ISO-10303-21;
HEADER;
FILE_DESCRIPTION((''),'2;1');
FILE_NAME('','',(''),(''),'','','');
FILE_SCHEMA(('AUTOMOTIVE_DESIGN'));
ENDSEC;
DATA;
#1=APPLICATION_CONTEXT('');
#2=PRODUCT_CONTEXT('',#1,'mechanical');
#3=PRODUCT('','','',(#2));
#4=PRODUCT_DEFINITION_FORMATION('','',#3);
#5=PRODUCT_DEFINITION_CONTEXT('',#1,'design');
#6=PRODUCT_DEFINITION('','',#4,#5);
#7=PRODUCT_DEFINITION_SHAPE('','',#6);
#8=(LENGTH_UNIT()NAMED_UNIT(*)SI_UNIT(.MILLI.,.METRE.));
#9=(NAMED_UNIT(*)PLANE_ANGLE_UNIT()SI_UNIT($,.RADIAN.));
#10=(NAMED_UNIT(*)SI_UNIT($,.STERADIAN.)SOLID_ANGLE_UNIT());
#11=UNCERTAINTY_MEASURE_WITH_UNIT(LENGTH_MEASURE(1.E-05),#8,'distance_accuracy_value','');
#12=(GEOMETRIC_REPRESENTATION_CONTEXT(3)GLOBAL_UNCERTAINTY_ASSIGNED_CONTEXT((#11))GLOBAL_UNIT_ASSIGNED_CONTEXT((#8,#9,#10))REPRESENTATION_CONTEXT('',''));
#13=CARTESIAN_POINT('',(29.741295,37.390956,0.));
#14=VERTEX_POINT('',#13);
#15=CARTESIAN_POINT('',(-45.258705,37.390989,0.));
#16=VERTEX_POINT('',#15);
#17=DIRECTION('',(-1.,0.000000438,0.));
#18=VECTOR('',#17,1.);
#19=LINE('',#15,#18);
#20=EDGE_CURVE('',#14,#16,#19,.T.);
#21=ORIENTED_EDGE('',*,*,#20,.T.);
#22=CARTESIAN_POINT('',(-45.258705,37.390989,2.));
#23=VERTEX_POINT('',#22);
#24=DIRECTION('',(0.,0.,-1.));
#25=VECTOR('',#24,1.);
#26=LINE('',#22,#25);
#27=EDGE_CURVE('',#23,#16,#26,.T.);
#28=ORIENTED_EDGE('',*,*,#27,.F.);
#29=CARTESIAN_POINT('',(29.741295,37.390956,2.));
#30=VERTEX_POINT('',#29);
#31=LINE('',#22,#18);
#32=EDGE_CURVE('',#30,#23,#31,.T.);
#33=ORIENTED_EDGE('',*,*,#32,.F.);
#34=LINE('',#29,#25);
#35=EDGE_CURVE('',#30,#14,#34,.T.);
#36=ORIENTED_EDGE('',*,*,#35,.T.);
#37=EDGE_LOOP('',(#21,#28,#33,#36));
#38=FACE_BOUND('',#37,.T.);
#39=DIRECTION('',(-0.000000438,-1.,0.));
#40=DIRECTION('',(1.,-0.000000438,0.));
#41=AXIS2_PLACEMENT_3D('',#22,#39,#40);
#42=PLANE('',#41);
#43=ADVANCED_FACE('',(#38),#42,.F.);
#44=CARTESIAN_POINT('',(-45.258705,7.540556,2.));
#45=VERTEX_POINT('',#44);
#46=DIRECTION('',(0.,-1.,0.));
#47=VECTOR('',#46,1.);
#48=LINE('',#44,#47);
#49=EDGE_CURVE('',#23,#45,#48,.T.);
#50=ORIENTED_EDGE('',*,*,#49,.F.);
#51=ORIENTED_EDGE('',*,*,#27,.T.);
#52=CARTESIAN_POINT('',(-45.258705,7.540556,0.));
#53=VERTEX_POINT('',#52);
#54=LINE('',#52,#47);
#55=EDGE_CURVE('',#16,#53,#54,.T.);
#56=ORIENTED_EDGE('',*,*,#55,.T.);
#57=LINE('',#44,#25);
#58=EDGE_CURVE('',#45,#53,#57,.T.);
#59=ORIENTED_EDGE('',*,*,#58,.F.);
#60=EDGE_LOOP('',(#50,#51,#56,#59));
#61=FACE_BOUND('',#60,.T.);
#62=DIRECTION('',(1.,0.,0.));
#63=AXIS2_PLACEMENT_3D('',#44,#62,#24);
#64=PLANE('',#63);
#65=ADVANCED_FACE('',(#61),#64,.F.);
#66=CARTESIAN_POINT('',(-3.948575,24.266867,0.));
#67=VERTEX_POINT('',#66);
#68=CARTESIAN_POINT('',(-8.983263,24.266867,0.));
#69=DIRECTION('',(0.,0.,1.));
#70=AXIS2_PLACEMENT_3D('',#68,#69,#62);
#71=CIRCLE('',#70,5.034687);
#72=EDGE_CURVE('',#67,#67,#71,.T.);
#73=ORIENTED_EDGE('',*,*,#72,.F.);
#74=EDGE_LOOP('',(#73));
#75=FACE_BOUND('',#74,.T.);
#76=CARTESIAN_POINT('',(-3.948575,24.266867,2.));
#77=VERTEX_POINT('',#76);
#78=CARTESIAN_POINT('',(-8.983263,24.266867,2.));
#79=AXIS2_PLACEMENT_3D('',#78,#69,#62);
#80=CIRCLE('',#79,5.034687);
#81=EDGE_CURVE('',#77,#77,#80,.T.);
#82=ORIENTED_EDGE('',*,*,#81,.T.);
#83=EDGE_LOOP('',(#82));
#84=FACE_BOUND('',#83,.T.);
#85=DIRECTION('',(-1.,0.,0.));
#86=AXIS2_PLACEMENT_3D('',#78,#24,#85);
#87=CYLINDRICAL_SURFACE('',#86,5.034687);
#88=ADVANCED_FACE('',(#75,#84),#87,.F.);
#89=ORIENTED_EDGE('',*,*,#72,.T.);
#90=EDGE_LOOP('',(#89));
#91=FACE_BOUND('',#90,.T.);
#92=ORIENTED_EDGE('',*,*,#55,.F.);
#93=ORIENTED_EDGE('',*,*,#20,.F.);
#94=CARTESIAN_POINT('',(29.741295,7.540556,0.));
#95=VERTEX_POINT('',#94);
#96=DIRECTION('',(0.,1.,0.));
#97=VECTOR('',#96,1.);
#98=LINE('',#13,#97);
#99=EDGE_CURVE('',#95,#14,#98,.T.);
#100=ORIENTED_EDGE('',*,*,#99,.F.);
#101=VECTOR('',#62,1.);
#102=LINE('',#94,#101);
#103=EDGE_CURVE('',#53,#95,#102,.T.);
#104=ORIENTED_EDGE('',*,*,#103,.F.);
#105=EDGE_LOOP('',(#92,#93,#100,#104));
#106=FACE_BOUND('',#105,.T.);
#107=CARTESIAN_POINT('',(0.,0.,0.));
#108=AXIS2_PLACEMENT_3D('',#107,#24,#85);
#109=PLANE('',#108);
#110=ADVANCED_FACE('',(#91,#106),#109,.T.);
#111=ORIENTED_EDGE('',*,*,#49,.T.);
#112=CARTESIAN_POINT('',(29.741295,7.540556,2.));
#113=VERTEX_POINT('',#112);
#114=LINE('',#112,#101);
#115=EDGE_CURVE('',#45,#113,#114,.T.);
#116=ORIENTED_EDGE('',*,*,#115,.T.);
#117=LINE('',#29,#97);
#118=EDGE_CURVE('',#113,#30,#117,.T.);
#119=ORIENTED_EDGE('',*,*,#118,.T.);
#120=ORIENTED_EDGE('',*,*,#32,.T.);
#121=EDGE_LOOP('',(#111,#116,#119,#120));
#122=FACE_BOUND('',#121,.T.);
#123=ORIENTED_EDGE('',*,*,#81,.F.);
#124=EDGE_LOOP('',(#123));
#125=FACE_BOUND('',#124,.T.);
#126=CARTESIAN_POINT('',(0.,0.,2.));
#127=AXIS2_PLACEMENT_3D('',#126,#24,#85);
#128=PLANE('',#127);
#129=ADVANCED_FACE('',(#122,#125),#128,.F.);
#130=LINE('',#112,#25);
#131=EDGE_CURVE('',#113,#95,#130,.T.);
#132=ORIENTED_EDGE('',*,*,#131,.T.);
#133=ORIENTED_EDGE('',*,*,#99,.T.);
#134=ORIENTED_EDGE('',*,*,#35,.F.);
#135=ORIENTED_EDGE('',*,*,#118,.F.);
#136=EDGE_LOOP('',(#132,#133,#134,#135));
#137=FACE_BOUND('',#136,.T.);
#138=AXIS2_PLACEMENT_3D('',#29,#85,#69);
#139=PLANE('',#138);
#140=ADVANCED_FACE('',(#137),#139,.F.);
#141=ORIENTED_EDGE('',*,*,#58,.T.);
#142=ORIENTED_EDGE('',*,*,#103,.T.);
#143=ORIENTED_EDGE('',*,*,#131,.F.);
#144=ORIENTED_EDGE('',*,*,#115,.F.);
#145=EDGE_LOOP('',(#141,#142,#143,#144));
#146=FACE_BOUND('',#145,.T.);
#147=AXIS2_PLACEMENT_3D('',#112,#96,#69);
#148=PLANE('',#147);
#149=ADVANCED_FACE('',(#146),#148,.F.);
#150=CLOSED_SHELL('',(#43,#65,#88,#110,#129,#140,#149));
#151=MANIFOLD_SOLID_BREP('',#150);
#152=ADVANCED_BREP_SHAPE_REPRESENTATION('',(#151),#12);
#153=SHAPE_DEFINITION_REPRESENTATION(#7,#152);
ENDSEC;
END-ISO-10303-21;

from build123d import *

# Parameters (mm, degrees)
SKETCH1_R           = 5.034687392
BOSS_EXTRUDE1_DEPTH = 2


with BuildPart() as part:
    # Sketch1 → Boss-Extrude1 (new body)
    with BuildSketch(Plane.XY):
        Polygon((29.741294814, 7.540555765), (-45.258705186, 7.540555765), (-45.258705186, 37.390988743), (29.741294814, 37.390955861), align=None)
        with Locations((-8.98326267, 24.266867238)):
            Circle(SKETCH1_R, mode=Mode.SUBTRACT)
    extrude(amount=BOSS_EXTRUDE1_DEPTH)


solid = part.part
